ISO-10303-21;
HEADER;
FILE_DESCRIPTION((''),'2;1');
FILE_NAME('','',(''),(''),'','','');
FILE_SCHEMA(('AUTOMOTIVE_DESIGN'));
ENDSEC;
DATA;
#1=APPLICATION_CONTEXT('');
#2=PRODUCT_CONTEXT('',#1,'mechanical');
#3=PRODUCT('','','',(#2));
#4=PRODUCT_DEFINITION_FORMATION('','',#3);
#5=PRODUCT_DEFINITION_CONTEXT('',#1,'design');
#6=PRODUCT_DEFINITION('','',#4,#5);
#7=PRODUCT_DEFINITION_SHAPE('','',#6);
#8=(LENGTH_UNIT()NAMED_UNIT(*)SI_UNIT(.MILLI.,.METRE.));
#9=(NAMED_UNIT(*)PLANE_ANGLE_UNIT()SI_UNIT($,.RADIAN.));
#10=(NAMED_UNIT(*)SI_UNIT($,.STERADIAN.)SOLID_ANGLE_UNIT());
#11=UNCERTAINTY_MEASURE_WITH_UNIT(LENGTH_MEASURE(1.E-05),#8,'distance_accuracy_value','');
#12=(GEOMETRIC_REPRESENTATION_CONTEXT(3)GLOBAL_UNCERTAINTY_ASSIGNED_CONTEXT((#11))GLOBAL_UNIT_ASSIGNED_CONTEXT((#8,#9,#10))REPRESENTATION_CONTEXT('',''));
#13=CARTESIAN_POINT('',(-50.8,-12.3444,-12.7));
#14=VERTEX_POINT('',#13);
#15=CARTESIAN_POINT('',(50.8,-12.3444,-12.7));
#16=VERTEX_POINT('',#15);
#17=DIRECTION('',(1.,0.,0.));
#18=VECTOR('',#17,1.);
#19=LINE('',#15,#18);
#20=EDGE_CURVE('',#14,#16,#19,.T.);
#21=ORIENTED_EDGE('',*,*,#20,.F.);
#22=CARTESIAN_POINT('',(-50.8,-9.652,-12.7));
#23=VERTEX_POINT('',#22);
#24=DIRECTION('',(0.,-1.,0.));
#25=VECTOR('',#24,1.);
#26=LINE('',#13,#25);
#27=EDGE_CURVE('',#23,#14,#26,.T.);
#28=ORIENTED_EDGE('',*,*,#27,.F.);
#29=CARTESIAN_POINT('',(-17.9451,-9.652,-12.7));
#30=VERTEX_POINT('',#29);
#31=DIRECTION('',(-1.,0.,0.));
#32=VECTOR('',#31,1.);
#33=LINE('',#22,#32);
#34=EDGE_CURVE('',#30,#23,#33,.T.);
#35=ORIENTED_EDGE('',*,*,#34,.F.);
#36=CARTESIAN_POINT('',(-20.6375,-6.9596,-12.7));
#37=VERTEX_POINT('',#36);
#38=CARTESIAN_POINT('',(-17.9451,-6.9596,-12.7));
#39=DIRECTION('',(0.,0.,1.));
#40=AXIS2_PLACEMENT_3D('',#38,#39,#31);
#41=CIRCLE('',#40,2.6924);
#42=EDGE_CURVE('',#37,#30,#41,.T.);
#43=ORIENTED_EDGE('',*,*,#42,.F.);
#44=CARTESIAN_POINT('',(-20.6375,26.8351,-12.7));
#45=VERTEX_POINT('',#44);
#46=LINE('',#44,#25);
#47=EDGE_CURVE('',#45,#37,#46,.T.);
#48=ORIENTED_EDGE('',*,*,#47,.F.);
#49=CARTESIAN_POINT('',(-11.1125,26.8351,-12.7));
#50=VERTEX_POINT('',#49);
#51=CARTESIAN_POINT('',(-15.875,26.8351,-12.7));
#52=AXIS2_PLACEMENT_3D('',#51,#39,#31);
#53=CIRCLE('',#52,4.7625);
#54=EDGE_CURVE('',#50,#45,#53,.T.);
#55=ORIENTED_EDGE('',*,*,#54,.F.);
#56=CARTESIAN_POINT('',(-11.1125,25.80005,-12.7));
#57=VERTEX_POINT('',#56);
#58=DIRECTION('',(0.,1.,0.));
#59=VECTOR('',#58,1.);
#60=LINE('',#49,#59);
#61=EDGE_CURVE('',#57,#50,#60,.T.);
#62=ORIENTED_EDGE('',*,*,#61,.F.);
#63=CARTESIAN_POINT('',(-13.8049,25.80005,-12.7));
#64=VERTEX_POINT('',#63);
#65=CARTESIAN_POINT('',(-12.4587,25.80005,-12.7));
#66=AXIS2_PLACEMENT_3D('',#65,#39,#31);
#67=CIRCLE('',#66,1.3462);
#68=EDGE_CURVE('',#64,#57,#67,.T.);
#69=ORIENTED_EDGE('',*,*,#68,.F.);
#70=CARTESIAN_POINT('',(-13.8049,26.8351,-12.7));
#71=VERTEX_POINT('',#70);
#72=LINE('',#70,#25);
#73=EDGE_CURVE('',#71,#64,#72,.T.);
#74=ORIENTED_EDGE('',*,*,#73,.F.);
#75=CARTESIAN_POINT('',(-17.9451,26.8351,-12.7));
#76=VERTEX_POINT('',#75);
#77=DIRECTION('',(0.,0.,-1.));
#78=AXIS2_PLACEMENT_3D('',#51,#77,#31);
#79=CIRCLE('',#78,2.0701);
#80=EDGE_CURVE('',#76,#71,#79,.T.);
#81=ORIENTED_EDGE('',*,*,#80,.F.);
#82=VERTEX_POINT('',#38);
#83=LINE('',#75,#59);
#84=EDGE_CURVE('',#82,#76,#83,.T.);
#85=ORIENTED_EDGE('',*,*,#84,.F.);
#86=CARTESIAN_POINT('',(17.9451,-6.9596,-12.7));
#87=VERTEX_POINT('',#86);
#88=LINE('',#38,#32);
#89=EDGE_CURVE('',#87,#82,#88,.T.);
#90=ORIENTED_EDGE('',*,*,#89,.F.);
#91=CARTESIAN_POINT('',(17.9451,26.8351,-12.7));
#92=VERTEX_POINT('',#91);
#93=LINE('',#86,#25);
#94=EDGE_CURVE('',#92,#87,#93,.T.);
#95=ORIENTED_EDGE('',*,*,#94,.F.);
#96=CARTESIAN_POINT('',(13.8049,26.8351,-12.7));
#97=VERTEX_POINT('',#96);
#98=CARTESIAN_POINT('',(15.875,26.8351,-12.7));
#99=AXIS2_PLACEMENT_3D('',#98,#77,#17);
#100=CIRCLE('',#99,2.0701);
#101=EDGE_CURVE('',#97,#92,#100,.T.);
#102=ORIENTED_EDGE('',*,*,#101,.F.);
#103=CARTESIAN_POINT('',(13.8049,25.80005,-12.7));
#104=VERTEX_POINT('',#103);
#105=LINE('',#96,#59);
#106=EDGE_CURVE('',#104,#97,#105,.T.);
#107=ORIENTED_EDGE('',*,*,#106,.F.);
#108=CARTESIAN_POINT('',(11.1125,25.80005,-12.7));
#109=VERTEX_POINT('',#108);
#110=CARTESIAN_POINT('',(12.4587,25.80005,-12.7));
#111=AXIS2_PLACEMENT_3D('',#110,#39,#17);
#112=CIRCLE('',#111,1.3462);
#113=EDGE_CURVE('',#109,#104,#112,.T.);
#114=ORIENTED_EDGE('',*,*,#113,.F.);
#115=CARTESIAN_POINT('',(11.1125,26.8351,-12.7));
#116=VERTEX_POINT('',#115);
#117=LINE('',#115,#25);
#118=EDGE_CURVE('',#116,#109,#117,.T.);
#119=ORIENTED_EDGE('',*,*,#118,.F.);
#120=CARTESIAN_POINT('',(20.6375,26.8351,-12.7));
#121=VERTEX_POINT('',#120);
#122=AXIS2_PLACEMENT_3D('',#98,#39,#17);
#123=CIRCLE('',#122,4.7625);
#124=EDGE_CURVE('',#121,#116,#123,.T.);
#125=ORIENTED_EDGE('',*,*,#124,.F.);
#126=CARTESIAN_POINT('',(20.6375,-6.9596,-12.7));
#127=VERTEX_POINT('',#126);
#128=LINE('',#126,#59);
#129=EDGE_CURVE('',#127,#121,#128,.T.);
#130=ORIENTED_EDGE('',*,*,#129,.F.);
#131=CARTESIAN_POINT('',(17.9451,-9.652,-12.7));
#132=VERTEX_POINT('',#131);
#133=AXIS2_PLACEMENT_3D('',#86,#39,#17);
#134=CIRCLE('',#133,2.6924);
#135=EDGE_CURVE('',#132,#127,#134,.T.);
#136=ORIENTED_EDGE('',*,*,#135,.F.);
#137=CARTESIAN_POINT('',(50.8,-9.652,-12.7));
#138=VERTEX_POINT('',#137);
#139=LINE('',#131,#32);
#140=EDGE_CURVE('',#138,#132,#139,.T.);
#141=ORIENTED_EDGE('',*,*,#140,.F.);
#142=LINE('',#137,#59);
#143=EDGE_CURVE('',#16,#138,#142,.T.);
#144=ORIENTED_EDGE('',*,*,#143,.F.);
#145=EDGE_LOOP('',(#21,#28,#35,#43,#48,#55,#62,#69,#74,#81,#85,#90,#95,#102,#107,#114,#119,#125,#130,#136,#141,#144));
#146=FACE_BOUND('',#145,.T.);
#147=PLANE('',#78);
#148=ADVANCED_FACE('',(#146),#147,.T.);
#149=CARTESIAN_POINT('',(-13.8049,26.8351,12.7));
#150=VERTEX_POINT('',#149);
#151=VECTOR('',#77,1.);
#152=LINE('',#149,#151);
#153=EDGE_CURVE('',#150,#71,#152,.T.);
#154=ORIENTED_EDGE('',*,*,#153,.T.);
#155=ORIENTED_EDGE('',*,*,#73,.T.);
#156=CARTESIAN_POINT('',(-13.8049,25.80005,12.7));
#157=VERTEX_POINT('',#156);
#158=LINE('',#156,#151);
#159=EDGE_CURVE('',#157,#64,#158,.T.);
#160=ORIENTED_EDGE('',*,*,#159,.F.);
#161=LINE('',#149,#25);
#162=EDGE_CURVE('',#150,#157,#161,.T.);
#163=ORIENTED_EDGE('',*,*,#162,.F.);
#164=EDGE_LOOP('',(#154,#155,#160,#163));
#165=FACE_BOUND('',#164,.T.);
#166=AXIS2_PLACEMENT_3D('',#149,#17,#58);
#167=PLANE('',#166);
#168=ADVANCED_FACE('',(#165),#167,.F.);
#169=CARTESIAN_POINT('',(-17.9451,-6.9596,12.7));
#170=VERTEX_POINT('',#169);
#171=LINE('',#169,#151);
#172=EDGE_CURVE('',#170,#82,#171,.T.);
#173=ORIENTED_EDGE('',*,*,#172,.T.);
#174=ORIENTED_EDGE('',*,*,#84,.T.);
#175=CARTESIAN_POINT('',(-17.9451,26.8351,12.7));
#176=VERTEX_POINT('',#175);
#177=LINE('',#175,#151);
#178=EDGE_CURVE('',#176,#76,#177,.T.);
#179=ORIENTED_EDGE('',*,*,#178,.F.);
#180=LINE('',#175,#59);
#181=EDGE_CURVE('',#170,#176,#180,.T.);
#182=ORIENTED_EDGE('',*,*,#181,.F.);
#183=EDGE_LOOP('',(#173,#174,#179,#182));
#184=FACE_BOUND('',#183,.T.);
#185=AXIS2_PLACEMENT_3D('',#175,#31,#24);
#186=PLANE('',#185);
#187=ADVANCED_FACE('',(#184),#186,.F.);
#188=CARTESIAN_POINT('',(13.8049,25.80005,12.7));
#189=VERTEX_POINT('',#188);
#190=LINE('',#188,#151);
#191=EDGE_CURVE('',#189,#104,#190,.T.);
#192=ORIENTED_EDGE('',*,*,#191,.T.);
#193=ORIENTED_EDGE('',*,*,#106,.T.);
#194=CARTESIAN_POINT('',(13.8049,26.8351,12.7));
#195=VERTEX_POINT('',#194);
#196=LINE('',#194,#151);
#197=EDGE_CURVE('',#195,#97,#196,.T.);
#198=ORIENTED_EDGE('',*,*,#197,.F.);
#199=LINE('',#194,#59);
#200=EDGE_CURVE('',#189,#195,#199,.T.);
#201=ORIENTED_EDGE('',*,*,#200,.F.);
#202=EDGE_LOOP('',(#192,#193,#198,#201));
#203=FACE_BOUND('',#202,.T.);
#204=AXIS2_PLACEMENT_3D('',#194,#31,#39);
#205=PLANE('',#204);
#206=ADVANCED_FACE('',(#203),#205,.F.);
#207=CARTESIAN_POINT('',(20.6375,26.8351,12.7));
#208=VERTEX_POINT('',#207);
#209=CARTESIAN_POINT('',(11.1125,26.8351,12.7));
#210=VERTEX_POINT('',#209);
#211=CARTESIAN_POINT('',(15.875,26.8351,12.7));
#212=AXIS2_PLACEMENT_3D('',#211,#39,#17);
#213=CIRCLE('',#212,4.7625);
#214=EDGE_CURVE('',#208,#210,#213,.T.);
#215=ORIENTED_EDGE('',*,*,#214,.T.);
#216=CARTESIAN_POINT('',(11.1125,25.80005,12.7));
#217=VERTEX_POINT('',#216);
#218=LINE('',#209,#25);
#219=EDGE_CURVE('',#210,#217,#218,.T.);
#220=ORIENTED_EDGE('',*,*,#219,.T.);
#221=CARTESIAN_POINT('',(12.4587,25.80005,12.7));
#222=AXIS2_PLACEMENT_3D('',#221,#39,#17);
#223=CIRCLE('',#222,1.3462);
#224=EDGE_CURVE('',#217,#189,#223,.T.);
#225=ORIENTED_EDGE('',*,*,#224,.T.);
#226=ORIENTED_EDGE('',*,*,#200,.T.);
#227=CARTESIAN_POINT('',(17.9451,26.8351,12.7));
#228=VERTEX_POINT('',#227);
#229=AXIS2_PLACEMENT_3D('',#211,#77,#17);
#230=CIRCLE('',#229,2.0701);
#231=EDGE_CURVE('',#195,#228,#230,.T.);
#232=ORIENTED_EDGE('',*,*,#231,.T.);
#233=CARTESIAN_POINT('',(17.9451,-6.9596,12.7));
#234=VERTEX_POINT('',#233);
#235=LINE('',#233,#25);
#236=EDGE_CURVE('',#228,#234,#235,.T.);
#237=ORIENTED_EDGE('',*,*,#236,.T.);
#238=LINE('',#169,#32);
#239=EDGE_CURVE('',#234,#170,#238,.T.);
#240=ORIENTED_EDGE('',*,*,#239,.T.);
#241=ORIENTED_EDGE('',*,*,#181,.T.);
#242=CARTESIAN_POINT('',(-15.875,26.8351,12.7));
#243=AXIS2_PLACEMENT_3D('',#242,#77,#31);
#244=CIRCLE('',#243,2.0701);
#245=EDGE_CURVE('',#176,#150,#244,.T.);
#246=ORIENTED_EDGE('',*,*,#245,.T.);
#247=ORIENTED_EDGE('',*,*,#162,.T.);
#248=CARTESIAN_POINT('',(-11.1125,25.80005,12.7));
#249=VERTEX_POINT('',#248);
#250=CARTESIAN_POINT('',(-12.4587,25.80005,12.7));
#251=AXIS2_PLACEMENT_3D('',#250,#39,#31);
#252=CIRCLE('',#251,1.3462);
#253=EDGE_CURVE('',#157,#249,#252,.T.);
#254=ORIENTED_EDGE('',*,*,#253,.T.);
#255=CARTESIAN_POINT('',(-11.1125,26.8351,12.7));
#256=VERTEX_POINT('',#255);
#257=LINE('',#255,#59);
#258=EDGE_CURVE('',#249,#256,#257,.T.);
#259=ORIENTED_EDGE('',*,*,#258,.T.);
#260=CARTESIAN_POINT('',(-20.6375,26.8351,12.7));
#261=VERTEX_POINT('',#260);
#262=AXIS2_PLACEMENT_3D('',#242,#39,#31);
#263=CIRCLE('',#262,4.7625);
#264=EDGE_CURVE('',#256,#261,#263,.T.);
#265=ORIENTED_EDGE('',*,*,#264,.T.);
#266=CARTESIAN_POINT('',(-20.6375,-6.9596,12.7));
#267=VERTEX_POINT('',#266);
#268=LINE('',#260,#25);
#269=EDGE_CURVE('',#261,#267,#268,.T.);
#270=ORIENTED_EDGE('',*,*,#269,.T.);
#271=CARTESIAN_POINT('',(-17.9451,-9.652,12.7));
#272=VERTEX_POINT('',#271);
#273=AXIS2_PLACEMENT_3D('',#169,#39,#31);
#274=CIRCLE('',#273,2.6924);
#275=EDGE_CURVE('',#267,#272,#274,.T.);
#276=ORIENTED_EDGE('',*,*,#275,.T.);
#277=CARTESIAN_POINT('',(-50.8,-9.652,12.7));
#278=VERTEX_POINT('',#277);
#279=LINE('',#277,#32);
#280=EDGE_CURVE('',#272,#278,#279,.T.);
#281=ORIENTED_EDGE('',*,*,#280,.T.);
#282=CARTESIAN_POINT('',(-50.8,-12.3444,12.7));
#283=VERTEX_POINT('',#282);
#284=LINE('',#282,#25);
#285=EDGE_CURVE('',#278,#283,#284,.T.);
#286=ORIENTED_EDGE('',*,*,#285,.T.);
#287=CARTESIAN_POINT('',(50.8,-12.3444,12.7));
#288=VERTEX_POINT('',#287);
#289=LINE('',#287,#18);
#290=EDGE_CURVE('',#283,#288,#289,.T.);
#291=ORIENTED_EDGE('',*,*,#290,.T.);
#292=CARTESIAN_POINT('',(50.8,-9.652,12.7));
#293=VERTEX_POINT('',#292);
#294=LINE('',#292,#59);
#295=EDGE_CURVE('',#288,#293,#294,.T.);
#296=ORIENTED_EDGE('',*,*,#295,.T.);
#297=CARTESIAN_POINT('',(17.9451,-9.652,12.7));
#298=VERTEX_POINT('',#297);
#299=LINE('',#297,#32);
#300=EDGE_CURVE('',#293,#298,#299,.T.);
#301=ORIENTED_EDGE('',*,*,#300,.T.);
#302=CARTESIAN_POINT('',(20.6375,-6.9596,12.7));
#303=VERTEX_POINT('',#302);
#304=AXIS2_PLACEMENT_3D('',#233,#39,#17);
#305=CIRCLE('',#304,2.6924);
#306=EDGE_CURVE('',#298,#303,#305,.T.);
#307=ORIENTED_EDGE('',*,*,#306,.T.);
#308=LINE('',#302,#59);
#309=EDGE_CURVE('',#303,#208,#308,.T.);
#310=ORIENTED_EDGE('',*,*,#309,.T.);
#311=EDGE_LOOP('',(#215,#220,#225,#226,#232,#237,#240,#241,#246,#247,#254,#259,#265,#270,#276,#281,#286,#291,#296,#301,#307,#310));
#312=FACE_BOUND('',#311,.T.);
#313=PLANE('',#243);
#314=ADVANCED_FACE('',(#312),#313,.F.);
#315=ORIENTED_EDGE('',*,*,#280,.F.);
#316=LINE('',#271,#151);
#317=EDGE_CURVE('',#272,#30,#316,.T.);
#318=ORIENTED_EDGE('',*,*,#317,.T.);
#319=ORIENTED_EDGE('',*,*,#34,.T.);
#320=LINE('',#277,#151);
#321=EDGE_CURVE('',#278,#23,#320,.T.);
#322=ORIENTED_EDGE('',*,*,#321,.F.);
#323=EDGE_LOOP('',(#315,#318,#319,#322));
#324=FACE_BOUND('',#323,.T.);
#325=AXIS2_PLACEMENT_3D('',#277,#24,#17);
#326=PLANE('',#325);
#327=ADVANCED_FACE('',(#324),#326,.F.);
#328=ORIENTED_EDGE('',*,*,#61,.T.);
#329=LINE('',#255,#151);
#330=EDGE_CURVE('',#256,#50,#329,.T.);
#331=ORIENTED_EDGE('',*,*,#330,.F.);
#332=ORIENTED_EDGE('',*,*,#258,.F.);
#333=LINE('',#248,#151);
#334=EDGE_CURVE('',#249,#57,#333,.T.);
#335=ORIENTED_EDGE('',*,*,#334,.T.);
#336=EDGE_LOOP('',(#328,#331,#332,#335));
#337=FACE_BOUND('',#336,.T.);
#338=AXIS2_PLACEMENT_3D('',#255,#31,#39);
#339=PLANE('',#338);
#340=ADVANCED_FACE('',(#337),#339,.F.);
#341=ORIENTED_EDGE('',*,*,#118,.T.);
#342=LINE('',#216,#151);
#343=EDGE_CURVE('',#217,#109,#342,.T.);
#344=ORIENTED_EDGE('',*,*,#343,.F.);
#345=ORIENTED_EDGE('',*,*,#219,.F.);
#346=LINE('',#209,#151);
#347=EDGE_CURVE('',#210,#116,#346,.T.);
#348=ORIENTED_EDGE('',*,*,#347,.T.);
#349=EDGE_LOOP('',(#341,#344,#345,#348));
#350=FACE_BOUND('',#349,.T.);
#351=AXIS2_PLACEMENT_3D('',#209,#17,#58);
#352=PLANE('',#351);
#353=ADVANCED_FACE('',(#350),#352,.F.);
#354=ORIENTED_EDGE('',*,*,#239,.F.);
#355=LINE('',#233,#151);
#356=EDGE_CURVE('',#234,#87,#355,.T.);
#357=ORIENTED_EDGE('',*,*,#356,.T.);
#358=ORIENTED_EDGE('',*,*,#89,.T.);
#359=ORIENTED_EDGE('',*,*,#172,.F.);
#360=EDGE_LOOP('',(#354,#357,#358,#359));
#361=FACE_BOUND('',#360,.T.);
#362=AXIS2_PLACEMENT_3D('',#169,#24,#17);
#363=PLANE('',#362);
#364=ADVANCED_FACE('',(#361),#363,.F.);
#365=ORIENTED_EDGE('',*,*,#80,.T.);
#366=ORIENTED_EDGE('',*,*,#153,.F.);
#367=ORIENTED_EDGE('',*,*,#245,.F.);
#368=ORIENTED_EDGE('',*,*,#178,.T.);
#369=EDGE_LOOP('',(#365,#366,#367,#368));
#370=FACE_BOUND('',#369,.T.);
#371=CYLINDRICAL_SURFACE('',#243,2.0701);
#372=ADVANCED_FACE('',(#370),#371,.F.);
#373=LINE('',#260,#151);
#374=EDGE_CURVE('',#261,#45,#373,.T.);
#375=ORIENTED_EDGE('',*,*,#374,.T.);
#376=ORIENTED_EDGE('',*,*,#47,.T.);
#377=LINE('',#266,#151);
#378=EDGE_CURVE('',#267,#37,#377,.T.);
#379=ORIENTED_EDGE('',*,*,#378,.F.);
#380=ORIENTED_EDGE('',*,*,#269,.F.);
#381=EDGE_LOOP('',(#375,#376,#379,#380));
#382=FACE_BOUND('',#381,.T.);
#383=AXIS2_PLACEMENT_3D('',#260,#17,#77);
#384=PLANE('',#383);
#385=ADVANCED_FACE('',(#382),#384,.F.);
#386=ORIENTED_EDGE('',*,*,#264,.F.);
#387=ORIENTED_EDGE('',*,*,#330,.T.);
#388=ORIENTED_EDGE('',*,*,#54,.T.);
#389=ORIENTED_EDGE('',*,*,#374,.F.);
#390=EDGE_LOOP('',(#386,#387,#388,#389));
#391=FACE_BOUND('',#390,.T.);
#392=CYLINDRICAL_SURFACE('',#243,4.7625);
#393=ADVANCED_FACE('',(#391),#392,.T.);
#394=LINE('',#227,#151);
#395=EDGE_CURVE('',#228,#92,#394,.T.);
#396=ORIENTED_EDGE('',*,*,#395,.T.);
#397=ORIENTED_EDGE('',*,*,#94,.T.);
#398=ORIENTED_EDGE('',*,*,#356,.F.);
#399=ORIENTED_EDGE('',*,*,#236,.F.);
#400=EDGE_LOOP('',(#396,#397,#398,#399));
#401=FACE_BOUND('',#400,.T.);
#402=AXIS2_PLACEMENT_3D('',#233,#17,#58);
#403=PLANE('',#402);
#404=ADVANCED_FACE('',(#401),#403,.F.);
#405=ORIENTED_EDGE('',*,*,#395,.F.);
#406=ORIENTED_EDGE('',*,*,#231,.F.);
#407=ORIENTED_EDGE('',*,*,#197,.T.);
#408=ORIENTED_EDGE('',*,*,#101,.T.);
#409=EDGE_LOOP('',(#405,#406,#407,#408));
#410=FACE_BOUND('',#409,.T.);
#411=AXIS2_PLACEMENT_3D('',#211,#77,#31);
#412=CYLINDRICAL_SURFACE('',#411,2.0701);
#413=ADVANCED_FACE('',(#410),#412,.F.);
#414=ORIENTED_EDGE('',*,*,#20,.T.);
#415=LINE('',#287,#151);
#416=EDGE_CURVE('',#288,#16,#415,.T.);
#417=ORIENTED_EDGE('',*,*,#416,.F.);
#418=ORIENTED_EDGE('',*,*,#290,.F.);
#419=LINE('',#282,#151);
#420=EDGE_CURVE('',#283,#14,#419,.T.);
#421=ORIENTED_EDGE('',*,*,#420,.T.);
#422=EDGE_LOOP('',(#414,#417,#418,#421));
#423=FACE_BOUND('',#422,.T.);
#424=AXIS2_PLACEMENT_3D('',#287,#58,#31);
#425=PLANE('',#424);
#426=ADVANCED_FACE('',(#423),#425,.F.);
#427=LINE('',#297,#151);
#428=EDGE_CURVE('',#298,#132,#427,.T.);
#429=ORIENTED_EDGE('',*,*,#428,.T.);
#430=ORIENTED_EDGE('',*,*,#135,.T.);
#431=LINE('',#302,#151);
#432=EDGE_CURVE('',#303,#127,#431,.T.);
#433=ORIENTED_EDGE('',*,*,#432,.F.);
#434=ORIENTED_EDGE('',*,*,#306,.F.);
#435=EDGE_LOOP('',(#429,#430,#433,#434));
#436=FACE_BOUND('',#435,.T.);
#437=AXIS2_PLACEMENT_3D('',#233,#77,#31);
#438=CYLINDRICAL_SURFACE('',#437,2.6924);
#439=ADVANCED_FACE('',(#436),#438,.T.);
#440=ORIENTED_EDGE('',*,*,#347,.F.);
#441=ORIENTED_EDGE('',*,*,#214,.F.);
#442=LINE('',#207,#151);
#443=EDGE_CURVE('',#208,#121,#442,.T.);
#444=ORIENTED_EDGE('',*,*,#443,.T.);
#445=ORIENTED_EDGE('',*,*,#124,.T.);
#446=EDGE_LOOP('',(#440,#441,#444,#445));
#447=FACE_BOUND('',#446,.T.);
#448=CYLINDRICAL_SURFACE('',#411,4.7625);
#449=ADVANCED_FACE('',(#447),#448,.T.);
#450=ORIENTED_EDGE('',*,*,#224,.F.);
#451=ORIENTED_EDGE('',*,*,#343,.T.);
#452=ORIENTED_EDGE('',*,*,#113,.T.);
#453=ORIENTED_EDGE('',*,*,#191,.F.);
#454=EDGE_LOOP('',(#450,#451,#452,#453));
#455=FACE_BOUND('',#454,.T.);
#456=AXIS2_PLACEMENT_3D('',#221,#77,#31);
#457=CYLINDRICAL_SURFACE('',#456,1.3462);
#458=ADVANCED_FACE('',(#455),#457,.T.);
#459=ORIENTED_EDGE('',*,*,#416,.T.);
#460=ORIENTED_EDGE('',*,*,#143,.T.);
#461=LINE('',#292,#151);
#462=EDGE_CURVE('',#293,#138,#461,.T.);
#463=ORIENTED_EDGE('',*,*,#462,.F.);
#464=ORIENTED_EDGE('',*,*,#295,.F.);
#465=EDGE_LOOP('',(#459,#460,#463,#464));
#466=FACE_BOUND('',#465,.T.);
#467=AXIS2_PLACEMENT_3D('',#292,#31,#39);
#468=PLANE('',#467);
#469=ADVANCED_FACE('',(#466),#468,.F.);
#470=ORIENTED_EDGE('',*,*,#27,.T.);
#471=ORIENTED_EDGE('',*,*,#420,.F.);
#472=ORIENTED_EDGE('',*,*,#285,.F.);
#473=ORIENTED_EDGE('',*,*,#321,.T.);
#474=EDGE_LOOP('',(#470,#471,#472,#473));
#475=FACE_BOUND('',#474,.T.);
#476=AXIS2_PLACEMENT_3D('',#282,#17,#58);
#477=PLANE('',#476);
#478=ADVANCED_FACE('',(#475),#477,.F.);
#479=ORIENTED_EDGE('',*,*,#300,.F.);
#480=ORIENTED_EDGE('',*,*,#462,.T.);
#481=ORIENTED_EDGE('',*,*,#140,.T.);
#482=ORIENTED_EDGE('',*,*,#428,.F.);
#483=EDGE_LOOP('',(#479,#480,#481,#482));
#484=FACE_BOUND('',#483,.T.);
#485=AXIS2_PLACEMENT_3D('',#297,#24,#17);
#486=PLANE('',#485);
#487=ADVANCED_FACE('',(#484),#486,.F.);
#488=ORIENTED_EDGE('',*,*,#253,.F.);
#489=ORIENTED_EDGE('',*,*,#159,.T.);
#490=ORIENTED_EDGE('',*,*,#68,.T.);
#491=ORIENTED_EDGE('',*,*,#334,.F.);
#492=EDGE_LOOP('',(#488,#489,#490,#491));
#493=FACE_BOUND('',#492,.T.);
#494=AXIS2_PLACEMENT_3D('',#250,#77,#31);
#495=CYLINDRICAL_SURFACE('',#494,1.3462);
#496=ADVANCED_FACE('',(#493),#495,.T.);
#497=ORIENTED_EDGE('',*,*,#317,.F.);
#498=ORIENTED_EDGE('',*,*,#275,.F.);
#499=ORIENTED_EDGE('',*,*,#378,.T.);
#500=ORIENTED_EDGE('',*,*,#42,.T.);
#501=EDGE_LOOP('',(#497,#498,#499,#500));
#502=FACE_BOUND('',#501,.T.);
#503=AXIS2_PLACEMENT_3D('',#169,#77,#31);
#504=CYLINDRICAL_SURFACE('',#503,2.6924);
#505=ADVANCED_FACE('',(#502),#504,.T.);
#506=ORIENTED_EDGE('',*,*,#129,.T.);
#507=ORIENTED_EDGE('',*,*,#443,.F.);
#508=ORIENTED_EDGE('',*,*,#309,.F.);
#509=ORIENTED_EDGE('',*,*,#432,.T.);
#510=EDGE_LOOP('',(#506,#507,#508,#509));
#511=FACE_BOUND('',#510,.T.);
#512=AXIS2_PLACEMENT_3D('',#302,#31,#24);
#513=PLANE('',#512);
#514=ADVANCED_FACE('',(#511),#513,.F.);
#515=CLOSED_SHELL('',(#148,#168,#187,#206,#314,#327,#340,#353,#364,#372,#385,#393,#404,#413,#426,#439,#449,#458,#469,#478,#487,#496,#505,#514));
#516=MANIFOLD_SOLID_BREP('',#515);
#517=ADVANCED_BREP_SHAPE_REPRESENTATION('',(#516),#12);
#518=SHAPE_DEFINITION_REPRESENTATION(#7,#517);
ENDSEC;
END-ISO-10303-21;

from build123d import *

# Parameters (mm, degrees)
BASE_EXTRUDE_DEPTH = 12.7


with BuildPart() as part:
    # Sketch1 → Base-Extrude (new, symmetric)
    with BuildSketch(Plane.XY):
        with BuildLine():
            Line((-20.6375, 26.8351), (-20.6375, -6.9596))
            ThreePointArc((-20.6375, -6.9596), (-19.848914298, -8.863414298), (-17.9451, -9.652))
            Line((-17.9451, -9.652), (-50.8, -9.652))
            Line((-50.8, -9.652), (-50.8, -12.3444))
            Line((-50.8, -12.3444), (50.8, -12.3444))
            Line((50.8, -12.3444), (50.8, -9.652))
            Line((50.8, -9.652), (17.9451, -9.652))
            ThreePointArc((17.9451, -9.652), (19.848914298, -8.863414298), (20.6375, -6.9596))
            Line((20.6375, -6.9596), (20.6375, 26.8351))
            ThreePointArc((20.6375, 26.8351), (15.875, 31.5976), (11.1125, 26.8351))
            Line((11.1125, 26.8351), (11.1125, 25.80005))
            ThreePointArc((11.1125, 25.80005), (12.4587, 24.45385), (13.8049, 25.80005))
            Line((13.8049, 25.80005), (13.8049, 26.8351))
            ThreePointArc((13.8049, 26.8351), (15.875, 28.9052), (17.9451, 26.8351))
            Line((17.9451, 26.8351), (17.9451, -6.9596))
            Line((17.9451, -6.9596), (-17.9451, -6.9596))
            Line((-17.9451, -6.9596), (-17.9451, 26.8351))
            ThreePointArc((-17.9451, 26.8351), (-15.875, 28.9052), (-13.8049, 26.8351))
            Line((-13.8049, 26.8351), (-13.8049, 25.80005))
            ThreePointArc((-13.8049, 25.80005), (-12.4587, 24.45385), (-11.1125, 25.80005))
            Line((-11.1125, 25.80005), (-11.1125, 26.8351))
            ThreePointArc((-11.1125, 26.8351), (-15.875, 31.5976), (-20.6375, 26.8351))
        make_face()
    extrude(amount=BASE_EXTRUDE_DEPTH, both=True)


solid = part.part
